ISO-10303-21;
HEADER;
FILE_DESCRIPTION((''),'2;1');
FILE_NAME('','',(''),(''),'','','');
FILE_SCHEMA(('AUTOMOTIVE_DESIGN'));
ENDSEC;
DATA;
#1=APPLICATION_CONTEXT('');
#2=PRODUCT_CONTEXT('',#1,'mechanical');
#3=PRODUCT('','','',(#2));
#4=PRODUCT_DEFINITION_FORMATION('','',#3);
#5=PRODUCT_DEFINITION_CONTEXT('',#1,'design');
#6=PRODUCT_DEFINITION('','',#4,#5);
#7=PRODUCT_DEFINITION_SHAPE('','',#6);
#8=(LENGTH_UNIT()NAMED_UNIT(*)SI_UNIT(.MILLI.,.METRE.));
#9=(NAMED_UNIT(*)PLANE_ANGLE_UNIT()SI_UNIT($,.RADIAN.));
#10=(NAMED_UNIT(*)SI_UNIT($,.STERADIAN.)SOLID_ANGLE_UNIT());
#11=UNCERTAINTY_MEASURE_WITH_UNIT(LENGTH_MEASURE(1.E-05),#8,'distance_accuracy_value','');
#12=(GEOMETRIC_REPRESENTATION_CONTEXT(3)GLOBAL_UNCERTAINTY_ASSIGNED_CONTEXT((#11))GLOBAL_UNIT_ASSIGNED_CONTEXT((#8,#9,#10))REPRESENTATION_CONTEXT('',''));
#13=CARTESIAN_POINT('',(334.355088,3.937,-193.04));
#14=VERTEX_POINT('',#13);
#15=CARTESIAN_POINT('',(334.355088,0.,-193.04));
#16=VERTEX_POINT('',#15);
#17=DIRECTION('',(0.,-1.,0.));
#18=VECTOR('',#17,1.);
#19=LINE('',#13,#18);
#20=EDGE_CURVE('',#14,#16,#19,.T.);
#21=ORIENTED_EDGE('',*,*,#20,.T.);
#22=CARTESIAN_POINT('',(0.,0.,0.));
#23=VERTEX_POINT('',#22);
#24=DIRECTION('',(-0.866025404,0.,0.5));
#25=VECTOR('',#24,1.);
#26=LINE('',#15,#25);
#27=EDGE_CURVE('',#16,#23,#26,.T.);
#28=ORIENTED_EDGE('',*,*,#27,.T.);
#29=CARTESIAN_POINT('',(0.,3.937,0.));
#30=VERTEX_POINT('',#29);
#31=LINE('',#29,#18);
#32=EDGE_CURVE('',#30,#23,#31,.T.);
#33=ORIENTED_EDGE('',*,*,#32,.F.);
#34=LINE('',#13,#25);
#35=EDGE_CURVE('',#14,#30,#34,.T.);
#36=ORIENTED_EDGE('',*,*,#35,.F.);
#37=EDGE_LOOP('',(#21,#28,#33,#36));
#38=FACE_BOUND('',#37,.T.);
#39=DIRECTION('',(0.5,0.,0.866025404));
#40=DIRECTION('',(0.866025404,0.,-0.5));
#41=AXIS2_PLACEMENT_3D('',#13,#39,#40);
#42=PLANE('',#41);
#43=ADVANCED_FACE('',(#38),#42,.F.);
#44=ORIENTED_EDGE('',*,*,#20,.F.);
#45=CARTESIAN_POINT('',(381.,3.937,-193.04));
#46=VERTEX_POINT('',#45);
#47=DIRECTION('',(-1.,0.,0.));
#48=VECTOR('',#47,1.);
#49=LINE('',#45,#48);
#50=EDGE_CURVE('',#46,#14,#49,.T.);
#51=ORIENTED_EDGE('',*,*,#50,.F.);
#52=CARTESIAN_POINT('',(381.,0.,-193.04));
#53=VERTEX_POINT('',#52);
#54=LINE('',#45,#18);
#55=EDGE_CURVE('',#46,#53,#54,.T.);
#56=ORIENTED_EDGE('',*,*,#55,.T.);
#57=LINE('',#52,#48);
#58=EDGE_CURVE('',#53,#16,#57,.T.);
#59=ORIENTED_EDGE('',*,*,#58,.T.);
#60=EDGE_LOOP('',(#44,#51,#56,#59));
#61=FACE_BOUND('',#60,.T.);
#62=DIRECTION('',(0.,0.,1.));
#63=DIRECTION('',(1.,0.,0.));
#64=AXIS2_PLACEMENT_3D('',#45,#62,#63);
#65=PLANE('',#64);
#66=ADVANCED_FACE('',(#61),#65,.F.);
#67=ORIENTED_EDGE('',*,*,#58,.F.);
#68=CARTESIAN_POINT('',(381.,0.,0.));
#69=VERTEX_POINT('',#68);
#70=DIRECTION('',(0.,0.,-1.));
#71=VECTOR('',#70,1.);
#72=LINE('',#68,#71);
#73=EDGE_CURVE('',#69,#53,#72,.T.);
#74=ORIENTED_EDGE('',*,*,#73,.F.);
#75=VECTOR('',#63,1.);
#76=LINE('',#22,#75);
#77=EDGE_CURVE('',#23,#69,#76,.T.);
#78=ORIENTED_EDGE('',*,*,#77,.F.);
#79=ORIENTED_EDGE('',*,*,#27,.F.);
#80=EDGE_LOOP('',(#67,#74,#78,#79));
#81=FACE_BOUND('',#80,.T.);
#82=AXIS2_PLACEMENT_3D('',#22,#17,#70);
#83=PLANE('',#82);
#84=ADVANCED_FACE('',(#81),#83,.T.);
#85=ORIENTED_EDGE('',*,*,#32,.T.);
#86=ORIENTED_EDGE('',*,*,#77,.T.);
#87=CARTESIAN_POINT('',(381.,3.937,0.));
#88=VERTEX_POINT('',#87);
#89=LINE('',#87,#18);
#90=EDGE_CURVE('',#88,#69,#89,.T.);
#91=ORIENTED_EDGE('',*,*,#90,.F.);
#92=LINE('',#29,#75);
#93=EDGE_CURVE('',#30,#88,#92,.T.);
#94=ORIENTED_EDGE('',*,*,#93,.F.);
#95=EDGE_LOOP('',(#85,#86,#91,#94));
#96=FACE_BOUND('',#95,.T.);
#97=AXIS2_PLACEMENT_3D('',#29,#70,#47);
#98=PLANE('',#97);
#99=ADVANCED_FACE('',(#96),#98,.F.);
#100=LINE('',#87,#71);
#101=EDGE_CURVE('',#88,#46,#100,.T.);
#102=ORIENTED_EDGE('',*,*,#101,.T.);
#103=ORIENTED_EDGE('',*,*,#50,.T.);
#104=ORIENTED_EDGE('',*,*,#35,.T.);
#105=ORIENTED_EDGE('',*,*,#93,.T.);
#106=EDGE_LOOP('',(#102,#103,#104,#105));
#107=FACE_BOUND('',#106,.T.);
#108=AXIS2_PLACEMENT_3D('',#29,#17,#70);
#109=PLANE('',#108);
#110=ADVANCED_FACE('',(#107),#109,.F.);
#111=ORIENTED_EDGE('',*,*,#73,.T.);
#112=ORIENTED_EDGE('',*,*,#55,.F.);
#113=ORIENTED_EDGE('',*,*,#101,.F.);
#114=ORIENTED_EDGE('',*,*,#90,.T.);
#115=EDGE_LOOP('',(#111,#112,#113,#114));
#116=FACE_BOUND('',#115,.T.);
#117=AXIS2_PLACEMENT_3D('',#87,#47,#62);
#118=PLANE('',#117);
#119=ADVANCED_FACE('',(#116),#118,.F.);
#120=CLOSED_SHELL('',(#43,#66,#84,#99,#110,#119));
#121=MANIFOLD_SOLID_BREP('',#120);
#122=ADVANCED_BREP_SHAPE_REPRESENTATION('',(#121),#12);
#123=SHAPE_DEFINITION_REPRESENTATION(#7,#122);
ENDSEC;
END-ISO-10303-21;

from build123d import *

# Parameters (mm, degrees)
BOSS_EXTRUDE1_DEPTH = 3.937


with BuildPart() as part:
    # Sketch1 → Boss-Extrude1 (new body)
    with BuildSketch(Plane(origin=(0, 0, 0), x_dir=(1, 0, 0), z_dir=(0, 1, 0))):
        Polygon((0, 0), (381, 0), (381, 193.04), (334.355087893, 193.04), align=None)
    extrude(amount=BOSS_EXTRUDE1_DEPTH)


solid = part.part
